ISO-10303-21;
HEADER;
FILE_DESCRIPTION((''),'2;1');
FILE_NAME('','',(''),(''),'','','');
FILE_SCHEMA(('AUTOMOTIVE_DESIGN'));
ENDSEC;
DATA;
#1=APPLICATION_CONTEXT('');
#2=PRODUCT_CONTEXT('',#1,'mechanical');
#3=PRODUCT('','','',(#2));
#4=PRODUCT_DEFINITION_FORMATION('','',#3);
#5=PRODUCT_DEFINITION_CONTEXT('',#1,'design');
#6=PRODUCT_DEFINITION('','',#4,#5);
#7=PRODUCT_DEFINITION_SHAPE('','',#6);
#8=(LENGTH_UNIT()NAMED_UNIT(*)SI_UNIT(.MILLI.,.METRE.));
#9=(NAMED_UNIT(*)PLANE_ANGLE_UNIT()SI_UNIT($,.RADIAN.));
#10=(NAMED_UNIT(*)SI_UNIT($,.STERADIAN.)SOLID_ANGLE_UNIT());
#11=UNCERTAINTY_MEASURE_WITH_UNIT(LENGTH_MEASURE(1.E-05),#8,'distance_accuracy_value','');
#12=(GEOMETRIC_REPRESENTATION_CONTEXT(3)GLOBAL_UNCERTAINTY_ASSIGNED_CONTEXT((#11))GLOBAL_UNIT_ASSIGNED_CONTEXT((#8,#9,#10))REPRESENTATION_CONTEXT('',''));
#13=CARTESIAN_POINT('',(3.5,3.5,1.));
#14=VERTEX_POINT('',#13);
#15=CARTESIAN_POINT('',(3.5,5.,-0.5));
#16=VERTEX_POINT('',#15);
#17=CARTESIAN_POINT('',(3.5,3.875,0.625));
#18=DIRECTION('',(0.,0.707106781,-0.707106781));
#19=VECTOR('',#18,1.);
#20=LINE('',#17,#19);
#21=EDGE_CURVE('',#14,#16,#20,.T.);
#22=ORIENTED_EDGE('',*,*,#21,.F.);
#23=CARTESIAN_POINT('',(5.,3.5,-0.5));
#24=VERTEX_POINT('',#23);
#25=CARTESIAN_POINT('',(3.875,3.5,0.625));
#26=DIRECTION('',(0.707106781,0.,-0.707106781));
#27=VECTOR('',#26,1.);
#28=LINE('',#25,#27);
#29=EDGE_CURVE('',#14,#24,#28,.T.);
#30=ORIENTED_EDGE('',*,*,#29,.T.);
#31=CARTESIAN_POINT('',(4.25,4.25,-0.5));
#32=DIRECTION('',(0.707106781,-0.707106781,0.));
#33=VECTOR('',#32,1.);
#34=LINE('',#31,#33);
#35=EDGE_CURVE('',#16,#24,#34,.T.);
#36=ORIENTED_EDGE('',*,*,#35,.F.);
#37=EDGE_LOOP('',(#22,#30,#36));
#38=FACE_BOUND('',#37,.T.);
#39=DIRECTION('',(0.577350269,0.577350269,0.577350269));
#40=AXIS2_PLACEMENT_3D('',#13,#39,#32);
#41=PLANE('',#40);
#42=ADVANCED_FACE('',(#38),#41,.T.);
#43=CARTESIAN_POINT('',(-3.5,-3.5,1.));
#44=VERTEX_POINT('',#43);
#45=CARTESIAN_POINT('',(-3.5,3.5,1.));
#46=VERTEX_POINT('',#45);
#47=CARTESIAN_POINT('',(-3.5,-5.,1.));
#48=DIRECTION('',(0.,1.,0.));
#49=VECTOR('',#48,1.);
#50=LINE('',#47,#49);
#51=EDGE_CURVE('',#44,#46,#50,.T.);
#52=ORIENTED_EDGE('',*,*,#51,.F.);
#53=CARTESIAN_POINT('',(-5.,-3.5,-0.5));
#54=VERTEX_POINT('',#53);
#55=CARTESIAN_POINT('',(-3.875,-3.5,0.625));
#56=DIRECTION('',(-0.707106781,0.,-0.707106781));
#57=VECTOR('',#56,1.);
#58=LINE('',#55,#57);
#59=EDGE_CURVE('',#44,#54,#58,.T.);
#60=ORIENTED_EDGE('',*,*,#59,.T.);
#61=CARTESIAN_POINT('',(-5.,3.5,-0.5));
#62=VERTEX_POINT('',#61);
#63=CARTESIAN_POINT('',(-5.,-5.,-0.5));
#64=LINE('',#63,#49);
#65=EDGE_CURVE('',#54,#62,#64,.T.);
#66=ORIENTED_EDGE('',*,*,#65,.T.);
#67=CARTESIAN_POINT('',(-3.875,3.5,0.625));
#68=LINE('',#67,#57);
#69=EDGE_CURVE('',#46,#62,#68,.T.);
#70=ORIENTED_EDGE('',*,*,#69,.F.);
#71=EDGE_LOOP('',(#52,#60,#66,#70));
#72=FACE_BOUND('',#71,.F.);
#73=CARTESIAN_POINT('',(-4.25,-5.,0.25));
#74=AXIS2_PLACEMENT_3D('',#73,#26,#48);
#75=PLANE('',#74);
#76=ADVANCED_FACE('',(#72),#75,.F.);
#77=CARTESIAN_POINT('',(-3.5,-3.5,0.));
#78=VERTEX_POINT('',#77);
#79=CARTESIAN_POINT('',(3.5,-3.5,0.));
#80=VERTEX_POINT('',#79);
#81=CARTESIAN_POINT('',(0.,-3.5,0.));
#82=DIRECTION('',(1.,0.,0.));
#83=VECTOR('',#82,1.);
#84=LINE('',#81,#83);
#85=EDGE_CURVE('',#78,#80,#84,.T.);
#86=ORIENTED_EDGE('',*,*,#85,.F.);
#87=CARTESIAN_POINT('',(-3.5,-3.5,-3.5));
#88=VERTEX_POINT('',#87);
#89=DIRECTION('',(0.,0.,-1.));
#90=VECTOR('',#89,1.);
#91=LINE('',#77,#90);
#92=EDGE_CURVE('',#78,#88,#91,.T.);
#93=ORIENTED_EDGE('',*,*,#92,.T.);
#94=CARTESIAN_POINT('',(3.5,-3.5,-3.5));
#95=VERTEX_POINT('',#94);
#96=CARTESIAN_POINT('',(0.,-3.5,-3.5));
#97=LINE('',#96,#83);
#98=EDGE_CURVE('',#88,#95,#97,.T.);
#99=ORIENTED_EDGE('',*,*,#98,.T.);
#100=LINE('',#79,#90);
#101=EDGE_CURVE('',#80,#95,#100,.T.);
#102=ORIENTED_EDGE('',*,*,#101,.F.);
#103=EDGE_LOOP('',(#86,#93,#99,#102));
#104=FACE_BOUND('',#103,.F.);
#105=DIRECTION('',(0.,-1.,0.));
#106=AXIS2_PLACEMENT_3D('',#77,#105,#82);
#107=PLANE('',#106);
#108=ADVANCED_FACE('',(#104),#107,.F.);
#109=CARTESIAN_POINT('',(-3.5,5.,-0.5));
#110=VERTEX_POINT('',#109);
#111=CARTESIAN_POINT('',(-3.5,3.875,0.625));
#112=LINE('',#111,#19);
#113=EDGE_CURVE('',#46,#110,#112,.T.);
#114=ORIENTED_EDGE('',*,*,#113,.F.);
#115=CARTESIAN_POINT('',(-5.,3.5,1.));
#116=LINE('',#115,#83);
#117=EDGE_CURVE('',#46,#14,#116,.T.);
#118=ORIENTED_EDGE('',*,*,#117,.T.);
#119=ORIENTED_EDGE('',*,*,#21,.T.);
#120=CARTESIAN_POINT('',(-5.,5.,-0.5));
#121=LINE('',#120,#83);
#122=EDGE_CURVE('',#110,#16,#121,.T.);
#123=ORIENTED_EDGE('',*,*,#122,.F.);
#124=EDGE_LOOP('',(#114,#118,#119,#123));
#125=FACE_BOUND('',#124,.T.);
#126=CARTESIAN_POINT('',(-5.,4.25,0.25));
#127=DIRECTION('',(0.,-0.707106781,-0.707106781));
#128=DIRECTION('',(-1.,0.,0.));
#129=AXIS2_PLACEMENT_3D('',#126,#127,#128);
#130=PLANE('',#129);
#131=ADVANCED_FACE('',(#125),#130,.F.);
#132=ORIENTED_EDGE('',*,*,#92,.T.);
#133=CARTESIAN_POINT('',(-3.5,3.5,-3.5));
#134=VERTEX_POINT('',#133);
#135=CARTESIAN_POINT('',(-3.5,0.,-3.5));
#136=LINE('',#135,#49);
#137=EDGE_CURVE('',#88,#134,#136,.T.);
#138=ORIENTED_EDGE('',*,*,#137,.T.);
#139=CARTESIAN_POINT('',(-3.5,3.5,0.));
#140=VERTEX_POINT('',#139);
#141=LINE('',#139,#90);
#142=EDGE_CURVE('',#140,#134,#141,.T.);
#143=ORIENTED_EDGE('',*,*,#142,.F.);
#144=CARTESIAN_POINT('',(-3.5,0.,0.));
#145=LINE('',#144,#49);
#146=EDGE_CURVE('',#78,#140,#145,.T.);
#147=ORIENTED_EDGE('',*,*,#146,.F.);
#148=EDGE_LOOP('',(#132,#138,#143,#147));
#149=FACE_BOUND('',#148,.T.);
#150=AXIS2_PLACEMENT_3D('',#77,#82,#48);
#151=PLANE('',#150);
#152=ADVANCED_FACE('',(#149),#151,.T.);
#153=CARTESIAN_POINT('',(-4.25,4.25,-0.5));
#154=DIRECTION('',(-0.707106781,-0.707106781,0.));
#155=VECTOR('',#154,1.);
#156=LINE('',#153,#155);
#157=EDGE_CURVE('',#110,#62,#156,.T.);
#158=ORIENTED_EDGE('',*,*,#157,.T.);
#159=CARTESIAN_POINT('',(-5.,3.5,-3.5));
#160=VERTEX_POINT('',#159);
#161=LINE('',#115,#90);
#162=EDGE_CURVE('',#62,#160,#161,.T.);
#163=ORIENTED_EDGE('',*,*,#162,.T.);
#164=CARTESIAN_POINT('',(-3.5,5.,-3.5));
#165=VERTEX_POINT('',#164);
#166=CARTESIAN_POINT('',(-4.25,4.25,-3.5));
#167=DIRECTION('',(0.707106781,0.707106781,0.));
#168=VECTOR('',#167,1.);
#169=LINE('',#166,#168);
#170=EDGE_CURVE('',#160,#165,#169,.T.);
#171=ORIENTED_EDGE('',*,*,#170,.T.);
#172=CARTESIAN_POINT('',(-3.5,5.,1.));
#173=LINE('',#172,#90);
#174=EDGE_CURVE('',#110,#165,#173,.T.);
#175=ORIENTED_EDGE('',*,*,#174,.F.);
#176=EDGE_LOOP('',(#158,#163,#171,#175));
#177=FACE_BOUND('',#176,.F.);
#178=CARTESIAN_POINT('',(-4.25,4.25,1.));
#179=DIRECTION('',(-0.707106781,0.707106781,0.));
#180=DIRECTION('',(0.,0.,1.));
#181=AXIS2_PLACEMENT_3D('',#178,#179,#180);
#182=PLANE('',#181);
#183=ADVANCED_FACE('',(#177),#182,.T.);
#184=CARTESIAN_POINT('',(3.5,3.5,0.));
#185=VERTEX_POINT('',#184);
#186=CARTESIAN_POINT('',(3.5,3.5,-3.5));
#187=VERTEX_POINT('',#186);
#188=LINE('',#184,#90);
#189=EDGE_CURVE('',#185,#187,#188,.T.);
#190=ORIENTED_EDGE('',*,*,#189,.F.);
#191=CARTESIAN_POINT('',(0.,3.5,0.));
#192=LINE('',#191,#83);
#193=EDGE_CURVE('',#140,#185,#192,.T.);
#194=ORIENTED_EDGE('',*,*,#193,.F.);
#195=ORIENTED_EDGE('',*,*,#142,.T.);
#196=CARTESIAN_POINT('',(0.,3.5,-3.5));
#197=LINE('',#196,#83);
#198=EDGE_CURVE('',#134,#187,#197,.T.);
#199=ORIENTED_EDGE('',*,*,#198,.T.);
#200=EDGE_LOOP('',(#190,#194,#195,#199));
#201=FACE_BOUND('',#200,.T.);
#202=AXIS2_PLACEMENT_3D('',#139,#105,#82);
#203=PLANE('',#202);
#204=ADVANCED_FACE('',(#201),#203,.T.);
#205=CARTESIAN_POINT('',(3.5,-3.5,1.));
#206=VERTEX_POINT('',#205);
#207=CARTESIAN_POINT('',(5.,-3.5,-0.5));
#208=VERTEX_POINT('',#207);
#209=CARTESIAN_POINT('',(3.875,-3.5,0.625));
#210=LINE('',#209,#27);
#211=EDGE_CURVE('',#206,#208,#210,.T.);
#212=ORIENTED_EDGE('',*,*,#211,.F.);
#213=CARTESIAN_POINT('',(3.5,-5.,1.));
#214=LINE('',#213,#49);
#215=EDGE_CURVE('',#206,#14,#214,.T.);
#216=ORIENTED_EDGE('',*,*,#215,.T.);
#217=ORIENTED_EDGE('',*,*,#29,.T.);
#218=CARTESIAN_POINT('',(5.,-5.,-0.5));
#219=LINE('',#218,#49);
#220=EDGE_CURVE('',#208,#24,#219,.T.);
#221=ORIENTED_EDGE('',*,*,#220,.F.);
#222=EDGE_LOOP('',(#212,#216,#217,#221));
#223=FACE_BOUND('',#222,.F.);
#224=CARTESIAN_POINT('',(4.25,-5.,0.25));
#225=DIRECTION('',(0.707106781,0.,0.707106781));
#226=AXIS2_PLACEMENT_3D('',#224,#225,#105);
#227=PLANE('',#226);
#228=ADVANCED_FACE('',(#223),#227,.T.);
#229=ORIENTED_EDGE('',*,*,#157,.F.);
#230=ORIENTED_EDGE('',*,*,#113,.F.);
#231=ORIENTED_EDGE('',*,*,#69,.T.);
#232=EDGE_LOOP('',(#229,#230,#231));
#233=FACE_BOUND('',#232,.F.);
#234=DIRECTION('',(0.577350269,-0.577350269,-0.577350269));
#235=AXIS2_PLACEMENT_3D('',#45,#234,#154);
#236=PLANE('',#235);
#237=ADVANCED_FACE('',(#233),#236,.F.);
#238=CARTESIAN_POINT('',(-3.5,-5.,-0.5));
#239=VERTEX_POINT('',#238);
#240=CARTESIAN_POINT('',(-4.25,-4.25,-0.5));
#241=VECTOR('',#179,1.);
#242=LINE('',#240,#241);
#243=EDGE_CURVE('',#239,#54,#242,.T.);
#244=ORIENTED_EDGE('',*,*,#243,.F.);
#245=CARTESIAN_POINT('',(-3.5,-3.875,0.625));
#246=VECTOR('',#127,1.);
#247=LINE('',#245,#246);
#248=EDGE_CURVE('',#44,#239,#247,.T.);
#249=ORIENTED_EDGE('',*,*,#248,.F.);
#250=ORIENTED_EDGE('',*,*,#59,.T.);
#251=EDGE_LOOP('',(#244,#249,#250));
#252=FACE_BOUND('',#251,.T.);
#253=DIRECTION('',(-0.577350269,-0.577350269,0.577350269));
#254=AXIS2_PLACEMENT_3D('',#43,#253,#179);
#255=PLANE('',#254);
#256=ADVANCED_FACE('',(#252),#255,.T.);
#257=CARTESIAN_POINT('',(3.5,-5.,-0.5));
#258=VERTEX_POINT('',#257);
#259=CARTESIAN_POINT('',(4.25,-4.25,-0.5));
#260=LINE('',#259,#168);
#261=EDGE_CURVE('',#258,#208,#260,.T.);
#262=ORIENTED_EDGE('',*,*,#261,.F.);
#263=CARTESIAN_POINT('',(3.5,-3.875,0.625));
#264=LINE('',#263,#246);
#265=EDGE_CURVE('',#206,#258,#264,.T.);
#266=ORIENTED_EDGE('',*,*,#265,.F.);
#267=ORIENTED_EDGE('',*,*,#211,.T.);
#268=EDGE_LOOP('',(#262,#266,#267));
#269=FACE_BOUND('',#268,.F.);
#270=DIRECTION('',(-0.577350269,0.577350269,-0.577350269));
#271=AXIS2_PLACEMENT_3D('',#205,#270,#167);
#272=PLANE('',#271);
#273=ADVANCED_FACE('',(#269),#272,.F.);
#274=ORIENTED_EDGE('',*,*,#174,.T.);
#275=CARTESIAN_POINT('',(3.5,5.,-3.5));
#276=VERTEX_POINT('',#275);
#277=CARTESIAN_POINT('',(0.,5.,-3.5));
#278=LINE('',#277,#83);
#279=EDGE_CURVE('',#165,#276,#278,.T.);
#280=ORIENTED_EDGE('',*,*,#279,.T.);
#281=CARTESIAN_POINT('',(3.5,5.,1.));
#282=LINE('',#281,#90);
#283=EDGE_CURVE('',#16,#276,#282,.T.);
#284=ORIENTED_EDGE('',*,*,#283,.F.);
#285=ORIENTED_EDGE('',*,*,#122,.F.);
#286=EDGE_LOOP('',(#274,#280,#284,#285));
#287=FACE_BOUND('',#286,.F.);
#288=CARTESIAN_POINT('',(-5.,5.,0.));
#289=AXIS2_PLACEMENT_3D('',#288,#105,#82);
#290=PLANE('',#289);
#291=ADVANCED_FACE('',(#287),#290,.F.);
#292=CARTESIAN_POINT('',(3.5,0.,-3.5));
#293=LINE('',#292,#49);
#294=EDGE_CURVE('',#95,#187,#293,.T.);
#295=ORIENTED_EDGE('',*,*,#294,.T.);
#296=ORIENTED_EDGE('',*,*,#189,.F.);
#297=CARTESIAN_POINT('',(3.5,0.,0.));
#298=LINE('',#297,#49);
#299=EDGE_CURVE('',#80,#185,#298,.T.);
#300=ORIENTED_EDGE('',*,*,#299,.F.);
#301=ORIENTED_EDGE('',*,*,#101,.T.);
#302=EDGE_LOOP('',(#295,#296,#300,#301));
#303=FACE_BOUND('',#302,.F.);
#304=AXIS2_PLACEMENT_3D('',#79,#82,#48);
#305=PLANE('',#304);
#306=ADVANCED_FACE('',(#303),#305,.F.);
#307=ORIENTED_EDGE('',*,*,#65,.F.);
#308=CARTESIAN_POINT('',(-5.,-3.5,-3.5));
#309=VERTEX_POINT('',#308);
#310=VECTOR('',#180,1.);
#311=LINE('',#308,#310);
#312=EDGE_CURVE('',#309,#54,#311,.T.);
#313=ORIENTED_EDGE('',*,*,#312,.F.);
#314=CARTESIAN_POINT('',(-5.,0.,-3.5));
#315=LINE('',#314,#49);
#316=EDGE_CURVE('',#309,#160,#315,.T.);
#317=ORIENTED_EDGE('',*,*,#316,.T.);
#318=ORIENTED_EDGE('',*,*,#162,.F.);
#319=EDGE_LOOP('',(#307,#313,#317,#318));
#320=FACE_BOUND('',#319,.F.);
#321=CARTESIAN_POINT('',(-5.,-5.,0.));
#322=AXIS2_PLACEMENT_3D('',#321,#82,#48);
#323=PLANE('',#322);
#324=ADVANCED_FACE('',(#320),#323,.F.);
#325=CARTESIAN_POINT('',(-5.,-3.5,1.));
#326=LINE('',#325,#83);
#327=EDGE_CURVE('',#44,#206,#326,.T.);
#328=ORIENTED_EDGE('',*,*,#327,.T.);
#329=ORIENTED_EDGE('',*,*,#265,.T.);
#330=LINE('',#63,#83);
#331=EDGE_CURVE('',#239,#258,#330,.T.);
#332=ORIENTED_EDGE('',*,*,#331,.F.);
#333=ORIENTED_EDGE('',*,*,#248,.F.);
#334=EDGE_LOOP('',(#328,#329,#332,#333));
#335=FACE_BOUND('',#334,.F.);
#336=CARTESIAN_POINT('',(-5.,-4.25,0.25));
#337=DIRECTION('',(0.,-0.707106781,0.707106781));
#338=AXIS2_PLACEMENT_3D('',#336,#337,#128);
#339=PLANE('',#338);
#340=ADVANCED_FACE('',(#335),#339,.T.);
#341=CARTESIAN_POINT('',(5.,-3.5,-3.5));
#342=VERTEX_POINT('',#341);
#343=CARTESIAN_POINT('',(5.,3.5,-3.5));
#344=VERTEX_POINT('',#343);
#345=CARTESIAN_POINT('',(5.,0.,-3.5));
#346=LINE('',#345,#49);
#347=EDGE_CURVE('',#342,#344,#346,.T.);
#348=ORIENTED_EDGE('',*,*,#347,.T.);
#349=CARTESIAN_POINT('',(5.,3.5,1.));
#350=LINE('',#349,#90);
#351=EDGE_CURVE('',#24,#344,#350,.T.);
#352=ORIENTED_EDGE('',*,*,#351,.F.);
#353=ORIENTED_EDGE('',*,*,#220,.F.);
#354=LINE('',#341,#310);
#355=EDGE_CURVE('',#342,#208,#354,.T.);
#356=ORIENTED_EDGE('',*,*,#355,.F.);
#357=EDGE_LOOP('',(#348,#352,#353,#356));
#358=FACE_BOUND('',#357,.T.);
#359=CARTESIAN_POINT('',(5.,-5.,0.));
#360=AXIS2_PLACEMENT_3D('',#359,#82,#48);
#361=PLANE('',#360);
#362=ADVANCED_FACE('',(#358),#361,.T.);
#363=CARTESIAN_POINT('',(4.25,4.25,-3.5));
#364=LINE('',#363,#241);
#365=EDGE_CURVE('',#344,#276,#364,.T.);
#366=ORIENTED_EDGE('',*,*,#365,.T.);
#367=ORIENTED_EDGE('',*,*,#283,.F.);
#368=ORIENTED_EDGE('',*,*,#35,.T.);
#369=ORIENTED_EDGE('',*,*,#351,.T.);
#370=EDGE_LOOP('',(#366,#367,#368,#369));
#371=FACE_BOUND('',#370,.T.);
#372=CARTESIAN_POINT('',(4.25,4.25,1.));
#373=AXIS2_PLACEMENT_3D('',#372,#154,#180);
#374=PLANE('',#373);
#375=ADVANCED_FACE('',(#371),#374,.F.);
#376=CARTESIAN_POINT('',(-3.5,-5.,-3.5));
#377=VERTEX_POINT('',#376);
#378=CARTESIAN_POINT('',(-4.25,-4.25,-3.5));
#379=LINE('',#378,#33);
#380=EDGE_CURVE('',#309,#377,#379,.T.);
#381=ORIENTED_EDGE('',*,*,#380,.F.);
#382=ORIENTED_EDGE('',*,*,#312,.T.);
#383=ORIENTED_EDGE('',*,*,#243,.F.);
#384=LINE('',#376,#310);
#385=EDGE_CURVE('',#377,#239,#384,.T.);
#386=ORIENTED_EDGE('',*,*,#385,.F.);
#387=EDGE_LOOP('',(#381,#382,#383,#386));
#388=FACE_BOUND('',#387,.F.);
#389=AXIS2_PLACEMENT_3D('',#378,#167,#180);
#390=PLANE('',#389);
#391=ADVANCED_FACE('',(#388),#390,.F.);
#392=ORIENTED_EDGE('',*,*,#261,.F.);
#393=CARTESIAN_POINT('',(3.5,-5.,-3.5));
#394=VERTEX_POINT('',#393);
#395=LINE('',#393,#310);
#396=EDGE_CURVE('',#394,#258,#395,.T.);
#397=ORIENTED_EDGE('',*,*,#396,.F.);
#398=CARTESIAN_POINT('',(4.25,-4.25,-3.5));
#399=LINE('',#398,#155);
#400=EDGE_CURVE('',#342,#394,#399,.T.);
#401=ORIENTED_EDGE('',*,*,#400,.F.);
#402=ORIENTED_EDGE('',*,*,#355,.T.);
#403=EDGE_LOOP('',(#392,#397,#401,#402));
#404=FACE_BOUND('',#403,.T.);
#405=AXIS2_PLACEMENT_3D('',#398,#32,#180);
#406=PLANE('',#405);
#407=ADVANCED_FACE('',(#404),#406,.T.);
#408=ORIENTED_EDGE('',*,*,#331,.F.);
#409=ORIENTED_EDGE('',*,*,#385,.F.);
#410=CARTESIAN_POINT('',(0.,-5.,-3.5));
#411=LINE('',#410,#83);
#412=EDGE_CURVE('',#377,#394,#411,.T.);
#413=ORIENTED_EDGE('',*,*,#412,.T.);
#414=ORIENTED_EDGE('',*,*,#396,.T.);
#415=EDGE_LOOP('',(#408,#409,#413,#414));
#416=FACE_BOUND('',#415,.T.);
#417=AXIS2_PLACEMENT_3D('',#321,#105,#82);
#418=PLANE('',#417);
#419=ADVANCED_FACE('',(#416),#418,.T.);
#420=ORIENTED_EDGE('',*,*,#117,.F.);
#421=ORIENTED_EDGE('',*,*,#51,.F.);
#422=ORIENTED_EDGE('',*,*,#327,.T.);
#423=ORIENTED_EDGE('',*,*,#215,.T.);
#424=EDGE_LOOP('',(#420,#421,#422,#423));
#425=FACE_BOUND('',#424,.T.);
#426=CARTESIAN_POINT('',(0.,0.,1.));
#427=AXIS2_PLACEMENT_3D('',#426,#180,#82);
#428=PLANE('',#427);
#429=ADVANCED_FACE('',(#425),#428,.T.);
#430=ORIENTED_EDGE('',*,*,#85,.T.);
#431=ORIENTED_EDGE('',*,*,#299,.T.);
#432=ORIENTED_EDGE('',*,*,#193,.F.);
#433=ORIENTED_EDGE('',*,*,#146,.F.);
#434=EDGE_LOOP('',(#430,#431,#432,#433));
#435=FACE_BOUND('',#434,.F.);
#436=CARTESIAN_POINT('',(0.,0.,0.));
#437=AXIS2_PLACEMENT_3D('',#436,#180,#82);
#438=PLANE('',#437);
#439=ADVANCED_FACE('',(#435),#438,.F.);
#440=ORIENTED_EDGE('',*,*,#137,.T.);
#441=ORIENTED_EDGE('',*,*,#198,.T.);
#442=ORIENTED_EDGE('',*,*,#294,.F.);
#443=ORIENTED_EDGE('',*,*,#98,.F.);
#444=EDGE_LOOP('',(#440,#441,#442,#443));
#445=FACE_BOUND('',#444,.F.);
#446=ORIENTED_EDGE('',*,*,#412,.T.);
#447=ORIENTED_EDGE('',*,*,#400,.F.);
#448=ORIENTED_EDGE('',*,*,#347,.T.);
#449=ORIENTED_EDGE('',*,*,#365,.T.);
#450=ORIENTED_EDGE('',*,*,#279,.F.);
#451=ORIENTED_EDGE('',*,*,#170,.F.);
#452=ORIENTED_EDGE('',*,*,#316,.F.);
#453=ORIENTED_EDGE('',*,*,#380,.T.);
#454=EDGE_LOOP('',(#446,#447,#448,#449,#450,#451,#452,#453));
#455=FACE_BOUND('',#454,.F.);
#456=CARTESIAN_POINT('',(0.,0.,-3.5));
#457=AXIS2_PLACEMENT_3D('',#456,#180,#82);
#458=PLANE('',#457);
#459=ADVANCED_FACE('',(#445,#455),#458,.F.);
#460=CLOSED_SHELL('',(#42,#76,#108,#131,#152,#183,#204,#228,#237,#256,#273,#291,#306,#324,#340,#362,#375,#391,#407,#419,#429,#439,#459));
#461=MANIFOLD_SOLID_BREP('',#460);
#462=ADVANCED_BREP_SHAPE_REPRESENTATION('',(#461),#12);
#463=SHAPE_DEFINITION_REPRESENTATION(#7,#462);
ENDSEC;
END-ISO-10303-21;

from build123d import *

# Parameters (mm, degrees)
F0_W     = 10
F0_H     = 10
F0_W_2   = 7
F0_H_2   = 7
F1_DEPTH = 1
F2_DEPTH = 3.5
F3_SIZE  = 1.5


with BuildPart() as f1:
    # F0 (on Top) → F1 (new body)
    with BuildSketch(Plane.XY):
        Rectangle(F0_W, F0_H)
        Rectangle(F0_W_2, F0_H_2, mode=Mode.SUBTRACT)
        Rectangle(F0_W_2, F0_H_2)
    extrude(amount=F1_DEPTH)

    # F0 (on Top) → F2 (join)
    with BuildSketch(Plane.XY):
        Rectangle(F0_W, F0_H)
        Rectangle(F0_W_2, F0_H_2, mode=Mode.SUBTRACT)
    extrude(amount=-F2_DEPTH)

    # F3
    f3_edges = [f1.edges().sort_by_distance(p)[0] for p in [
        (5, -5, -1.25),
        (-5, -5, -1.25),
        (-5, 5, -1.25),
        (5, 5, -1.25),
        (0, -5, 1),
        (0, 5, 1),
        (-5, 0, 1),
        (5, 0, 1),
    ]]
    chamfer(f3_edges, length=F3_SIZE)


solid = f1.part
